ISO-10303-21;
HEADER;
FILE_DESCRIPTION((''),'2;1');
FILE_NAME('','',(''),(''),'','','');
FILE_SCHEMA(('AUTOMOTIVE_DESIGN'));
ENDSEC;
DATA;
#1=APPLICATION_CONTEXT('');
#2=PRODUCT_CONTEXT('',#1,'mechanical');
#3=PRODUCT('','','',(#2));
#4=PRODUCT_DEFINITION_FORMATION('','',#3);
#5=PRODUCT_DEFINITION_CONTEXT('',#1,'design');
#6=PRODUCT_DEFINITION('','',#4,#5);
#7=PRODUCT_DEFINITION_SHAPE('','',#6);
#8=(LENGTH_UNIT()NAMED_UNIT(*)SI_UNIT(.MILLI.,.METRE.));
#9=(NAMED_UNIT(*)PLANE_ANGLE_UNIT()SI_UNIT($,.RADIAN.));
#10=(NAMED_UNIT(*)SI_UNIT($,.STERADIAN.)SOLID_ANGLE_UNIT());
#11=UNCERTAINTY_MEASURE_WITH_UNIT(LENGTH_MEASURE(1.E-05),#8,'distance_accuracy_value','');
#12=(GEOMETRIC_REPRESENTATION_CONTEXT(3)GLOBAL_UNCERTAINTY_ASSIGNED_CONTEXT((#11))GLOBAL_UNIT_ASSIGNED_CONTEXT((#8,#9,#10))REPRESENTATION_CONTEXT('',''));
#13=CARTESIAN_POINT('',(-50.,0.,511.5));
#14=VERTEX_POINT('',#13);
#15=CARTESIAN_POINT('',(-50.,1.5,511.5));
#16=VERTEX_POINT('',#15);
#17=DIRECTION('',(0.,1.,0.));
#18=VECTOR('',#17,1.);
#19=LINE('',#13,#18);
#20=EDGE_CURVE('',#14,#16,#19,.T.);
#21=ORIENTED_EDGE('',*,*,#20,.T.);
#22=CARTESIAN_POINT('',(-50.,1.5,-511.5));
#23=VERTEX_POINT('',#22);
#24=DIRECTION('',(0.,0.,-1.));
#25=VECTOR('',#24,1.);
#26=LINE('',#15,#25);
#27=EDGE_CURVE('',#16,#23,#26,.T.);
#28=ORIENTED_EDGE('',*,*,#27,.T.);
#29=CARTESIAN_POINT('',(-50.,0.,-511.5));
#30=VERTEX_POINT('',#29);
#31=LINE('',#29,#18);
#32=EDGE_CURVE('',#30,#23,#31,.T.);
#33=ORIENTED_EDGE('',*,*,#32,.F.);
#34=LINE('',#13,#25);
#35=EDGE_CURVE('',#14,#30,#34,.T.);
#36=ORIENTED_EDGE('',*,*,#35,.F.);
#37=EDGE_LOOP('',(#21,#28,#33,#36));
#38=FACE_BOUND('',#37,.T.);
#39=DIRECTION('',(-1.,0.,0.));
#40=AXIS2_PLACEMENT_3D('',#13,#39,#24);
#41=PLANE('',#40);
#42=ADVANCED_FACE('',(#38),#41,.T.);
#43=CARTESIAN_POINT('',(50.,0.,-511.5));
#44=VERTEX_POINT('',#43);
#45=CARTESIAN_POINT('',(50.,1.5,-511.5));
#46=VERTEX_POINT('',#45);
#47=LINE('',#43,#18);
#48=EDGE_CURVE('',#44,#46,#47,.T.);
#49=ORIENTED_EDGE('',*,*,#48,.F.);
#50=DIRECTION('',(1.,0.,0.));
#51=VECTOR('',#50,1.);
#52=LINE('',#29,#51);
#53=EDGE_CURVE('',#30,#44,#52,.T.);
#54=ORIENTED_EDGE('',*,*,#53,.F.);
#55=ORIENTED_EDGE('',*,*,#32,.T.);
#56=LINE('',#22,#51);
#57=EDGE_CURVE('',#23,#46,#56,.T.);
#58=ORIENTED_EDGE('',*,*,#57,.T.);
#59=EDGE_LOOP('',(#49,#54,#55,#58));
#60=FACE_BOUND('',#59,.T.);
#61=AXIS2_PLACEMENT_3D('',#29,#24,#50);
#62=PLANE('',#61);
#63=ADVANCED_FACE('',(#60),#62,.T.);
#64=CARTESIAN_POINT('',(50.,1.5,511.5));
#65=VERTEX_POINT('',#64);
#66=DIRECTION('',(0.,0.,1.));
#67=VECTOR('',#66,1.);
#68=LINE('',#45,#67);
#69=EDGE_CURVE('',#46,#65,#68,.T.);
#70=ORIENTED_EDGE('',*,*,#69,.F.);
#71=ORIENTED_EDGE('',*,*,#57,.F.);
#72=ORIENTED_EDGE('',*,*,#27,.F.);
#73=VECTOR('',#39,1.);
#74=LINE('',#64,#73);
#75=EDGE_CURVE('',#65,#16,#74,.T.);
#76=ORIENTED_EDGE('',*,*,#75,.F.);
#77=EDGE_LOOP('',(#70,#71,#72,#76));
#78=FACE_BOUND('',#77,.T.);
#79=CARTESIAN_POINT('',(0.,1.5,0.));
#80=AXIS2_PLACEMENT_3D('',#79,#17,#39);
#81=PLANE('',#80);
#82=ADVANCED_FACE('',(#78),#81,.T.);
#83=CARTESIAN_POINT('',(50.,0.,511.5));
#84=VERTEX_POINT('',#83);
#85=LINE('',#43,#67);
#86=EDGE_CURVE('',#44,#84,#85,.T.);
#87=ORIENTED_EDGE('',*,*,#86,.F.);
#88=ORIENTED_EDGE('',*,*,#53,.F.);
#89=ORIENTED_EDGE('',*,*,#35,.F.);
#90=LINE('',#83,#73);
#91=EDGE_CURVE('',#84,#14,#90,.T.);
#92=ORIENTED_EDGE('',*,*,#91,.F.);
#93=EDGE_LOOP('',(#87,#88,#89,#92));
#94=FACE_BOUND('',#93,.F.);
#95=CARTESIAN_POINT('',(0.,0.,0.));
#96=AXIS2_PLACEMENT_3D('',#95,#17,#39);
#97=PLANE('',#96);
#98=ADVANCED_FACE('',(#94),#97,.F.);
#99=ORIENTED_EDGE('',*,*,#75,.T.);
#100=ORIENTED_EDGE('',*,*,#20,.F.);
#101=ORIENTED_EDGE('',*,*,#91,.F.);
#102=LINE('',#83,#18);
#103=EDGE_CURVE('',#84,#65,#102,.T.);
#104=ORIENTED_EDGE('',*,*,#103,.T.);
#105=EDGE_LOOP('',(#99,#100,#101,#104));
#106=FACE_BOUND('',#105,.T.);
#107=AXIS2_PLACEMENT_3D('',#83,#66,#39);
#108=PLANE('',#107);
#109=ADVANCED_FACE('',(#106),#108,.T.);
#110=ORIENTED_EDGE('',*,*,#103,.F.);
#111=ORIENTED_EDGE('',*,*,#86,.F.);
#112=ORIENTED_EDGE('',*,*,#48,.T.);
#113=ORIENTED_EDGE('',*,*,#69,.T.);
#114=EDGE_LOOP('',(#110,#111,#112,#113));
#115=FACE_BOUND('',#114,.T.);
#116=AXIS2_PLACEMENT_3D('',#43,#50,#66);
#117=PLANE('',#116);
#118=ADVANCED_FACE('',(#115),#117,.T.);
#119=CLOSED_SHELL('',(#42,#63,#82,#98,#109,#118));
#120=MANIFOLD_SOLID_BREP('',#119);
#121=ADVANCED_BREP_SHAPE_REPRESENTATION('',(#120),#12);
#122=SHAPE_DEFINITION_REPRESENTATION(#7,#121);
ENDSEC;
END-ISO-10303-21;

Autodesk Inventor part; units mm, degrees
ref_plane "YZ Plane" through (0, 0, 0) normal (1, 0, 0) x (0, 1, 0)
ref_plane "XZ Plane" through (0, 0, 0) normal (0, 1, 0) x (-1, 0, 0)
ref_plane "XY Plane" through (0, 0, 0) normal (0, 0, 1) x (1, 0, 0)
sketch "Sketch1" plane through (0, 0, 0) normal (0, 1, 0) x (-1, 0, 0)
  line L0 (-50, 511.5) -> (50, 511.5)
  line L1 (50, 511.5) -> (50, -511.5)
  line L2 (50, -511.5) -> (-50, -511.5)
  line L3 (-50, -511.5) -> (-50, 511.5)
  line L4 (-50, 511.5) -> (50, -511.5) construction
  line L5 (50, 511.5) -> (-50, -511.5) construction
  point P0 (0, 0)
  dimension "d0" = 100
  dimension "d1" = 1023
extrude "Extrusion1" add sketch "Sketch1" along normal blind 1.5
properties part number "CHAPA_9" material "Steel, Mild, Welded"
